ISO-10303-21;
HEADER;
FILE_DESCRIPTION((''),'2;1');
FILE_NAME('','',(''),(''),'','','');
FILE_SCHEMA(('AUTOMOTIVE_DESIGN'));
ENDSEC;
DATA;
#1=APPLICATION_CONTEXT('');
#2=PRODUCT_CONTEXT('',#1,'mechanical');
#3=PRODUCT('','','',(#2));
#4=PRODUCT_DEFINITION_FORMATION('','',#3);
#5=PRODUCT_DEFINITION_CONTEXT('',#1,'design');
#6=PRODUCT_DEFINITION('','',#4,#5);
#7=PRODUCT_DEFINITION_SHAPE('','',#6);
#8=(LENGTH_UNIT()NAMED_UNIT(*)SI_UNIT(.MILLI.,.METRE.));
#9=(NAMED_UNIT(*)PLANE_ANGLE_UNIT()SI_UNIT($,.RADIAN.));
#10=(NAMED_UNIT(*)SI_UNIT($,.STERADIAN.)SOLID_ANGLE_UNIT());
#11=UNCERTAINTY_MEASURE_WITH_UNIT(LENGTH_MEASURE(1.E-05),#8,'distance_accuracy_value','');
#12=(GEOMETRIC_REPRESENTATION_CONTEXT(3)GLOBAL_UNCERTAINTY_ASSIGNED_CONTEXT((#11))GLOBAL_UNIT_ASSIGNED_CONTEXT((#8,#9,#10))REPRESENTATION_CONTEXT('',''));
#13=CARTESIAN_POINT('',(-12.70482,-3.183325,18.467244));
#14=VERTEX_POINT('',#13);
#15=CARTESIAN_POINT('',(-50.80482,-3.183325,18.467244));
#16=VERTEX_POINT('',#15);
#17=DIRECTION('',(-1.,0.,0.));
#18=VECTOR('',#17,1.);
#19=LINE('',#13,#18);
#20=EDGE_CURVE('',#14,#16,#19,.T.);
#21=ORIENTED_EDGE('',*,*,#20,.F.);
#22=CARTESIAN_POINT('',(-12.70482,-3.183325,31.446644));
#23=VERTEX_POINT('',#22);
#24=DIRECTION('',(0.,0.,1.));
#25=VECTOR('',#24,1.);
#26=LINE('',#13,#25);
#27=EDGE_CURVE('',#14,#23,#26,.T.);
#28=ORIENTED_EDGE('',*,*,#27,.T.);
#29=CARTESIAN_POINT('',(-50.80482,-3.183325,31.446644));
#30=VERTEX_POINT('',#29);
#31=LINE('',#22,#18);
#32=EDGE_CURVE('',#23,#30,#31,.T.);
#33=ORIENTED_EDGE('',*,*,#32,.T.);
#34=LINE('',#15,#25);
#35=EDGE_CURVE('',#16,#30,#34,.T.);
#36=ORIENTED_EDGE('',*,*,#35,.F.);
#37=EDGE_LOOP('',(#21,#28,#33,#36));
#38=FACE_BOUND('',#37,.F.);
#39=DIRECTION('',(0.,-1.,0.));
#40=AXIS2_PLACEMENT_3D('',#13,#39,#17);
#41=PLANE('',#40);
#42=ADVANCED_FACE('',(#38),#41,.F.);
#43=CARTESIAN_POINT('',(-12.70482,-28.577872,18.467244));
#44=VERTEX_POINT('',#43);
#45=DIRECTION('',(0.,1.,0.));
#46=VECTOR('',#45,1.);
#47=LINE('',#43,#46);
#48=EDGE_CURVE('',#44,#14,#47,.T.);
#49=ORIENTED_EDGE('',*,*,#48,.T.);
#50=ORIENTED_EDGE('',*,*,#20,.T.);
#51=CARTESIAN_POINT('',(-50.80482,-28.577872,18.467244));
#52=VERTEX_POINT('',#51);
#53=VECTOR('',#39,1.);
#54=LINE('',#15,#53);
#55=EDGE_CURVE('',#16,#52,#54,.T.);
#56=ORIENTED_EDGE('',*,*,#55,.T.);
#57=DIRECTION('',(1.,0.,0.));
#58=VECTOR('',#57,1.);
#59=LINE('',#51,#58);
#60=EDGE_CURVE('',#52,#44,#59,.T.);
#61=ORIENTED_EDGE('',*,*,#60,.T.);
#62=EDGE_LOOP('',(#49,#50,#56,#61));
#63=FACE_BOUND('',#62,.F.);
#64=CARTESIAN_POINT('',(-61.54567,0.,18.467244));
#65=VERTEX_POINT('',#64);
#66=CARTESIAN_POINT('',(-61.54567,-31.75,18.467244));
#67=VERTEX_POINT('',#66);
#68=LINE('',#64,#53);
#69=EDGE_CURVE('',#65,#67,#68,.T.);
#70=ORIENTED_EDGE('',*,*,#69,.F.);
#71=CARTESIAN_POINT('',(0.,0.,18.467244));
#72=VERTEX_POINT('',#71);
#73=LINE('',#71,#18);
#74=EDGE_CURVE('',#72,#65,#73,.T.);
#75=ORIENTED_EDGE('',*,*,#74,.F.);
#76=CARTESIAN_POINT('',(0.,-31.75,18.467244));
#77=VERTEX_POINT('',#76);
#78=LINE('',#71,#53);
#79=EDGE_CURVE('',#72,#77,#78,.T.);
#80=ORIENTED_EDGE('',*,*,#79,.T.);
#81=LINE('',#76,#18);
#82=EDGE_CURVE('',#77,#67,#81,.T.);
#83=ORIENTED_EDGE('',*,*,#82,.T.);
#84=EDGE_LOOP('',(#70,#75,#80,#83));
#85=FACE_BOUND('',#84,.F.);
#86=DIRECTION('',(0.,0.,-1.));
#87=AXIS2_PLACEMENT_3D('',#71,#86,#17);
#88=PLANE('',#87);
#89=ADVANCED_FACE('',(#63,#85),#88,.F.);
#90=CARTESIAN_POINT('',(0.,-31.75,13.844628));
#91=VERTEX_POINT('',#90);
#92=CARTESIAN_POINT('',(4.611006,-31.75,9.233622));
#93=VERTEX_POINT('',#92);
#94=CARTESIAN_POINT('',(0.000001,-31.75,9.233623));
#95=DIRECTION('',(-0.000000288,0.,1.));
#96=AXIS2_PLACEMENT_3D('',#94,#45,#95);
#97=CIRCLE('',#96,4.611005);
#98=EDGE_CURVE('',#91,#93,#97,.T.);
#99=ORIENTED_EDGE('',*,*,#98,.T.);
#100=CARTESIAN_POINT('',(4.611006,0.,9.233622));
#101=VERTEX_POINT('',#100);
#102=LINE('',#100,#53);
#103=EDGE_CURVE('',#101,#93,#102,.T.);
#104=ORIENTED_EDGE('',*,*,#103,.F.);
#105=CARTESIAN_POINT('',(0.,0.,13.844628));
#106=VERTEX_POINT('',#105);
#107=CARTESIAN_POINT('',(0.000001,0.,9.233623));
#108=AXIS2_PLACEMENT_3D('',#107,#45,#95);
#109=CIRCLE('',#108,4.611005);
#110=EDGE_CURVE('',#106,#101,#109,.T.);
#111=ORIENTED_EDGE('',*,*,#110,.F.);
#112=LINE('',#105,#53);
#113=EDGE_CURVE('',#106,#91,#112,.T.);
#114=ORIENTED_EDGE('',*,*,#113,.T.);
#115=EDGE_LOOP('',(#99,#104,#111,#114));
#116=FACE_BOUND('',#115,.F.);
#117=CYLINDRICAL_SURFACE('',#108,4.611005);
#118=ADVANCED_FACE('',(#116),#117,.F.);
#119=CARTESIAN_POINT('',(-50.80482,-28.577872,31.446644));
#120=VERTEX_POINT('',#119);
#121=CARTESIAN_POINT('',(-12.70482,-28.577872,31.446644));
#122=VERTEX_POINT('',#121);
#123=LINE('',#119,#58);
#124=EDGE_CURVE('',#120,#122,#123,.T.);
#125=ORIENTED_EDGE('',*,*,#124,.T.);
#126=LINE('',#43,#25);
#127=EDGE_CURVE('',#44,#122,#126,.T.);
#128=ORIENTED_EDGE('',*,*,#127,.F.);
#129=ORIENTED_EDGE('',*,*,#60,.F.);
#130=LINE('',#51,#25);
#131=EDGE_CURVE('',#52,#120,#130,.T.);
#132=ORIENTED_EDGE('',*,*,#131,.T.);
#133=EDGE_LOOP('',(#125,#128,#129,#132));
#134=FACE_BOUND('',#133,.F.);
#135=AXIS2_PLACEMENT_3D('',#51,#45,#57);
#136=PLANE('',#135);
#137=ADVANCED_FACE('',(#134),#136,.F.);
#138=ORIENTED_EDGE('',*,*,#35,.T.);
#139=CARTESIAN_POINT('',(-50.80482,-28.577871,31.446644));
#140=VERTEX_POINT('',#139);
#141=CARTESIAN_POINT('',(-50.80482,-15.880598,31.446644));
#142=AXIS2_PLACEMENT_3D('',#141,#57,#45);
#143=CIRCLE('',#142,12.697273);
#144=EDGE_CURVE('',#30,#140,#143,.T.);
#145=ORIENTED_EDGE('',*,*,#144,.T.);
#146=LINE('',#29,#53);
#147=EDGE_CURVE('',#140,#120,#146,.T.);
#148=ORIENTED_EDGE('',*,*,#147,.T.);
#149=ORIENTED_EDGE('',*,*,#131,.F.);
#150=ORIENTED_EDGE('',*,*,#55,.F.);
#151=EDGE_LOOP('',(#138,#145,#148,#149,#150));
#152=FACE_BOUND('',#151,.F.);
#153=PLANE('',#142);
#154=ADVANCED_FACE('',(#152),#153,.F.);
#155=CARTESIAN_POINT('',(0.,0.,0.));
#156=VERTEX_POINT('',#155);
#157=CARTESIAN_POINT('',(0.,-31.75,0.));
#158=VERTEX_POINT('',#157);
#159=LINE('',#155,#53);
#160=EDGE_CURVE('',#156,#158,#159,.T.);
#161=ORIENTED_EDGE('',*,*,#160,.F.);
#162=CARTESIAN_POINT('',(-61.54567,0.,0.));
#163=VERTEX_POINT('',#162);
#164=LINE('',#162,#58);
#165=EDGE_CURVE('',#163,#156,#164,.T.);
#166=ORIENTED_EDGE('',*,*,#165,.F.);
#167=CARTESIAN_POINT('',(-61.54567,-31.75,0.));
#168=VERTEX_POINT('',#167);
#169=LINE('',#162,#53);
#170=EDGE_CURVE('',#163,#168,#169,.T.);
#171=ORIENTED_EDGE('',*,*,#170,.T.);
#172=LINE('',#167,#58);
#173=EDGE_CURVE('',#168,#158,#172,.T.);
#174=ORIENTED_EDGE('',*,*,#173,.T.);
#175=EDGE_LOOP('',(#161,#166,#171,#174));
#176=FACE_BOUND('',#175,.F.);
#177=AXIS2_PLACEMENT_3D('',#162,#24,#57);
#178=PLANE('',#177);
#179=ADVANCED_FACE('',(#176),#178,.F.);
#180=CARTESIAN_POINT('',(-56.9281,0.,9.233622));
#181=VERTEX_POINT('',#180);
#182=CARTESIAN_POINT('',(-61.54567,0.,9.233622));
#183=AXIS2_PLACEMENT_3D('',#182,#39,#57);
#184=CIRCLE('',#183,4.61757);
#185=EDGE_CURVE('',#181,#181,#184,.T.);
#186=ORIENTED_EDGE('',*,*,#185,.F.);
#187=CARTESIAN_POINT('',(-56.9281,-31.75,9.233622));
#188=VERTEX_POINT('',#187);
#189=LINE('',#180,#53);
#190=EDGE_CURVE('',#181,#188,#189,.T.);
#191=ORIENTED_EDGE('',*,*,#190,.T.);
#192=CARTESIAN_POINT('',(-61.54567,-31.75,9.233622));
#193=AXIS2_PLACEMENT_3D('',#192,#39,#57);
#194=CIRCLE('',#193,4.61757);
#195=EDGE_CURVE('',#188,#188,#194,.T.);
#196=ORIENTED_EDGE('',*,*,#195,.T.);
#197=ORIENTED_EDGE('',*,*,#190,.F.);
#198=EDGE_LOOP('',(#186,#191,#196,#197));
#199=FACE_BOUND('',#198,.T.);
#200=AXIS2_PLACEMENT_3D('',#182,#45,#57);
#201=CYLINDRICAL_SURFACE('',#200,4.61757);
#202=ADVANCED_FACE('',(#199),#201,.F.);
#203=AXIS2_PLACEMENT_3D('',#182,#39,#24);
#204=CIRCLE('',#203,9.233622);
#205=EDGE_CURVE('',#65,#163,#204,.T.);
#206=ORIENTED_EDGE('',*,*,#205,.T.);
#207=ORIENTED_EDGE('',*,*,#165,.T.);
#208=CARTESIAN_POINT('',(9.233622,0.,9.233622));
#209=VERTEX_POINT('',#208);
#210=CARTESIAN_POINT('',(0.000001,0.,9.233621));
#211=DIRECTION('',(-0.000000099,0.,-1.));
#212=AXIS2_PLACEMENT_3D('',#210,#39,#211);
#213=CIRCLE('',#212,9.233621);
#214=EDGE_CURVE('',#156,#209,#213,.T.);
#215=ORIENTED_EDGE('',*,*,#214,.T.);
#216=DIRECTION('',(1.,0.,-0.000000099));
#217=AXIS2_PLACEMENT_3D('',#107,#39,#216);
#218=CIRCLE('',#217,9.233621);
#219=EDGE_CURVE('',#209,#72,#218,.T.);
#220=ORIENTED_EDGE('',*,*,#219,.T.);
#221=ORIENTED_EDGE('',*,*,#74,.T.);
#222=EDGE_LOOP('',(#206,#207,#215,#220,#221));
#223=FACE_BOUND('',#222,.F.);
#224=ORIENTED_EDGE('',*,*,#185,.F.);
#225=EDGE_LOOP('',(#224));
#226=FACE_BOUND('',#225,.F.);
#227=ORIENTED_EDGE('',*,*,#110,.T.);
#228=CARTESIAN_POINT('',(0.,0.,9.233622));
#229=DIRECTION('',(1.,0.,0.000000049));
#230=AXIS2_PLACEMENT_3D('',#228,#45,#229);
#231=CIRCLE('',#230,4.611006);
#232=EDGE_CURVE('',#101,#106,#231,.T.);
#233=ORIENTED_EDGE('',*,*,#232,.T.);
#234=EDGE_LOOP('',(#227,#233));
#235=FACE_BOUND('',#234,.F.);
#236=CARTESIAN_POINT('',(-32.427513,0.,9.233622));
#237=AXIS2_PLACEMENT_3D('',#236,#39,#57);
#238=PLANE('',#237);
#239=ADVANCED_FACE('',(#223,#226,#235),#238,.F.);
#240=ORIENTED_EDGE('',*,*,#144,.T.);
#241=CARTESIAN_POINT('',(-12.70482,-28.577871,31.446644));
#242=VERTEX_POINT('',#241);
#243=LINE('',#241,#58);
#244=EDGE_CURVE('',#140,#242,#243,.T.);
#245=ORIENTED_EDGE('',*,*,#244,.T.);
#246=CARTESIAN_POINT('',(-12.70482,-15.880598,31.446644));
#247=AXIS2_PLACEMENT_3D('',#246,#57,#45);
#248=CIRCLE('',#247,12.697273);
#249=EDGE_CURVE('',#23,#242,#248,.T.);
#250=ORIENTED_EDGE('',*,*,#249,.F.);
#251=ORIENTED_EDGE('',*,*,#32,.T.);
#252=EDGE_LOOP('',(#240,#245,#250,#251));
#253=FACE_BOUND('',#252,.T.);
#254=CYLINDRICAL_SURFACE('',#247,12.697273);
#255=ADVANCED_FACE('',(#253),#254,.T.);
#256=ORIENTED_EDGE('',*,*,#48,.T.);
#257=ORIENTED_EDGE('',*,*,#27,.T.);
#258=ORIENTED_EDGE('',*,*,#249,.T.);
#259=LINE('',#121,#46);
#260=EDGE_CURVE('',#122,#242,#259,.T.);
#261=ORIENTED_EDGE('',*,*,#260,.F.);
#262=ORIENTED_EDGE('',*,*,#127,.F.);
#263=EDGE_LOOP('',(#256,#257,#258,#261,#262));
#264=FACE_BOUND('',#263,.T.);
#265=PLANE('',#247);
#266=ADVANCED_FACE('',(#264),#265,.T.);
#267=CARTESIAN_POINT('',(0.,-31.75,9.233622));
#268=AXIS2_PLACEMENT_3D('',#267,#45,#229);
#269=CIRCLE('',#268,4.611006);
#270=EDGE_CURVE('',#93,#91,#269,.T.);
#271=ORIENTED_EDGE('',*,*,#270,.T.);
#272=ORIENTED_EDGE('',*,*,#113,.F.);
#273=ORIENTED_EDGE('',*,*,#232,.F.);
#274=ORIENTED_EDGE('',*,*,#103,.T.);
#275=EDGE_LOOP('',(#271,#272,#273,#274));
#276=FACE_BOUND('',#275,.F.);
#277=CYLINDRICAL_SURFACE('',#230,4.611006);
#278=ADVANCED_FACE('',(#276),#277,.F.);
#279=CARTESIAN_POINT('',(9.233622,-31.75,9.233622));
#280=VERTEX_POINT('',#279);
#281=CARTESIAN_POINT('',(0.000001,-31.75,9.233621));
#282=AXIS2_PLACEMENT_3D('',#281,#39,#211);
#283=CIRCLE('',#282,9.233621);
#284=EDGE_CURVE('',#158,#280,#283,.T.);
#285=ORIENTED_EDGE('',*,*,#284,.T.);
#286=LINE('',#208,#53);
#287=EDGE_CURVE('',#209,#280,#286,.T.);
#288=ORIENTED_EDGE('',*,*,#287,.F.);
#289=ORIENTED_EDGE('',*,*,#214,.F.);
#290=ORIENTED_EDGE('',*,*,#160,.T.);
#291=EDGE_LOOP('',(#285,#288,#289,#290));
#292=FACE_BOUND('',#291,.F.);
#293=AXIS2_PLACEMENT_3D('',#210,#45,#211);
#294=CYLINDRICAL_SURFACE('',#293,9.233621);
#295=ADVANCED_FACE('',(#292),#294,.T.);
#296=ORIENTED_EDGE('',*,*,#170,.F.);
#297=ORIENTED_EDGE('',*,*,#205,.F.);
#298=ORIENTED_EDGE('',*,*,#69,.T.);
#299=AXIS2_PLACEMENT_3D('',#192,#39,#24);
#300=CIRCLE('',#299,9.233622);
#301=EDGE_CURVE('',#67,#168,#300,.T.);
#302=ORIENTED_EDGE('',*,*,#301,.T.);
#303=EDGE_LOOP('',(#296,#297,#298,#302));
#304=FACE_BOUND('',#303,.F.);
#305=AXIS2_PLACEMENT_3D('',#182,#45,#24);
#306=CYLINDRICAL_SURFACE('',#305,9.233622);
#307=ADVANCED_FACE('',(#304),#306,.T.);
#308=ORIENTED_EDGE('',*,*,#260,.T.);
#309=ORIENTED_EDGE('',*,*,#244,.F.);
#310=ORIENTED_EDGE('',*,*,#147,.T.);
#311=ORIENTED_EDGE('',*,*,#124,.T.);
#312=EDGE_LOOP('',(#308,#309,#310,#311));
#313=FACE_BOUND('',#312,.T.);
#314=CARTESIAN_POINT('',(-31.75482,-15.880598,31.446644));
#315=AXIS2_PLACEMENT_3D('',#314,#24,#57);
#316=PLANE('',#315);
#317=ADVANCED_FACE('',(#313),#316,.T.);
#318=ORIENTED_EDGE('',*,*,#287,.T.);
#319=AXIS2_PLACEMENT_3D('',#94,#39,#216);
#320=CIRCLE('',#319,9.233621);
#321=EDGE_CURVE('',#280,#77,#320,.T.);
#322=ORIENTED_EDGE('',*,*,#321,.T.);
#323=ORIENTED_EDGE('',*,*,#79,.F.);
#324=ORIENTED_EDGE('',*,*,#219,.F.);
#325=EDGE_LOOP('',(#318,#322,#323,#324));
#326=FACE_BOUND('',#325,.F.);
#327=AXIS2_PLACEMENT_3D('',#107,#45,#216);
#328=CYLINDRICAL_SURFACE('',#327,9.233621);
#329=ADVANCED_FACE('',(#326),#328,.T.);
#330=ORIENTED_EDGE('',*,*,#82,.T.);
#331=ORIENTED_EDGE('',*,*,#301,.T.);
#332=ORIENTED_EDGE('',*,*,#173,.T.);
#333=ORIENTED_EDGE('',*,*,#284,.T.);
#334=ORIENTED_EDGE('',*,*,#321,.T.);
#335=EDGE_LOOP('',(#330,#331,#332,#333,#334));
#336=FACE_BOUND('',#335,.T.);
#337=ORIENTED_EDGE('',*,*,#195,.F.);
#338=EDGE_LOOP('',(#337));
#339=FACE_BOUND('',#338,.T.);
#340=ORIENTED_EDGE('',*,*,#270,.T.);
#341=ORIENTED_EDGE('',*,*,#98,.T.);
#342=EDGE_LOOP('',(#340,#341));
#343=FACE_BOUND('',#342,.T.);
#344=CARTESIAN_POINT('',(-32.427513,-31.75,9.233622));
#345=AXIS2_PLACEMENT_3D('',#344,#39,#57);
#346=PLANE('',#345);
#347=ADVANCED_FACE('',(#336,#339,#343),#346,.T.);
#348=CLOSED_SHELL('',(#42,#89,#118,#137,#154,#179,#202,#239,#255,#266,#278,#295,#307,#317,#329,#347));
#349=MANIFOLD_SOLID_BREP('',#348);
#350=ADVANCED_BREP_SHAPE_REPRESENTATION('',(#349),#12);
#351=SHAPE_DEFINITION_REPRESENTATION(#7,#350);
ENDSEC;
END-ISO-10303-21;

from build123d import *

# Parameters (mm, degrees)
F0_R     = 4.61757
F1_DEPTH = 31.75
F3_DEPTH = 12.9794
F4_R     = 12.697273
F5_DEPTH = 38.1


with BuildPart() as f1:
    # F0 (on Front) → F1 (new body)
    with BuildSketch(Plane.XZ):
        with BuildLine():
            Line((-61.54567, 0), (0, 0))
            ThreePointArc((0, 0), (-9.233622, 9.233622), (0, 18.467244))
            Line((0, 18.467244), (-61.54567, 18.467244))
            ThreePointArc((-61.54567, 18.467244), (-70.779292, 9.233622), (-61.54567, 0))
        make_face()
        with Locations((-61.54567, 9.233622)):
            Circle(F0_R, mode=Mode.SUBTRACT)
        with BuildLine():
            ThreePointArc((4.611006, 9.233622), (3.260474, 12.494096), (0, 13.844628))
            ThreePointArc((0, 13.844628), (-3.260474, 5.973148), (4.611006, 9.233622))
        make_face()
        with BuildLine():
            ThreePointArc((0, 18.467244), (-9.233622, 9.233622), (0, 0))
            ThreePointArc((0, 0), (6.529157, 2.704465), (9.233622, 9.233622))
            ThreePointArc((9.233622, 9.233622), (6.529157, 15.762779), (0, 18.467244))
        make_face()
        with BuildLine():
            ThreePointArc((4.611006, 9.233622), (-3.260474, 5.973148), (0, 13.844628))
            ThreePointArc((0, 13.844628), (3.260474, 12.494096), (4.611006, 9.233622))
        make_face(mode=Mode.SUBTRACT)
    extrude(amount=F1_DEPTH)

    # F2 (on face) → F3 (join)
    with BuildSketch(Plane.XY.offset(18.467244)):
        Polygon((-50.80482, -3.183325), (-50.80482, -15.875), (-50.80482, -28.577872), (-12.70482, -28.577872), (-12.70482, -3.183325), align=None)
    extrude(amount=F3_DEPTH)

    # F4 (on face) → F5 (join)
    with BuildSketch(Plane.YZ.offset(-12.70482)):
        with Locations((-15.880598, 31.446644)):
            Circle(F4_R)
    extrude(amount=-F5_DEPTH)


solid = f1.part
